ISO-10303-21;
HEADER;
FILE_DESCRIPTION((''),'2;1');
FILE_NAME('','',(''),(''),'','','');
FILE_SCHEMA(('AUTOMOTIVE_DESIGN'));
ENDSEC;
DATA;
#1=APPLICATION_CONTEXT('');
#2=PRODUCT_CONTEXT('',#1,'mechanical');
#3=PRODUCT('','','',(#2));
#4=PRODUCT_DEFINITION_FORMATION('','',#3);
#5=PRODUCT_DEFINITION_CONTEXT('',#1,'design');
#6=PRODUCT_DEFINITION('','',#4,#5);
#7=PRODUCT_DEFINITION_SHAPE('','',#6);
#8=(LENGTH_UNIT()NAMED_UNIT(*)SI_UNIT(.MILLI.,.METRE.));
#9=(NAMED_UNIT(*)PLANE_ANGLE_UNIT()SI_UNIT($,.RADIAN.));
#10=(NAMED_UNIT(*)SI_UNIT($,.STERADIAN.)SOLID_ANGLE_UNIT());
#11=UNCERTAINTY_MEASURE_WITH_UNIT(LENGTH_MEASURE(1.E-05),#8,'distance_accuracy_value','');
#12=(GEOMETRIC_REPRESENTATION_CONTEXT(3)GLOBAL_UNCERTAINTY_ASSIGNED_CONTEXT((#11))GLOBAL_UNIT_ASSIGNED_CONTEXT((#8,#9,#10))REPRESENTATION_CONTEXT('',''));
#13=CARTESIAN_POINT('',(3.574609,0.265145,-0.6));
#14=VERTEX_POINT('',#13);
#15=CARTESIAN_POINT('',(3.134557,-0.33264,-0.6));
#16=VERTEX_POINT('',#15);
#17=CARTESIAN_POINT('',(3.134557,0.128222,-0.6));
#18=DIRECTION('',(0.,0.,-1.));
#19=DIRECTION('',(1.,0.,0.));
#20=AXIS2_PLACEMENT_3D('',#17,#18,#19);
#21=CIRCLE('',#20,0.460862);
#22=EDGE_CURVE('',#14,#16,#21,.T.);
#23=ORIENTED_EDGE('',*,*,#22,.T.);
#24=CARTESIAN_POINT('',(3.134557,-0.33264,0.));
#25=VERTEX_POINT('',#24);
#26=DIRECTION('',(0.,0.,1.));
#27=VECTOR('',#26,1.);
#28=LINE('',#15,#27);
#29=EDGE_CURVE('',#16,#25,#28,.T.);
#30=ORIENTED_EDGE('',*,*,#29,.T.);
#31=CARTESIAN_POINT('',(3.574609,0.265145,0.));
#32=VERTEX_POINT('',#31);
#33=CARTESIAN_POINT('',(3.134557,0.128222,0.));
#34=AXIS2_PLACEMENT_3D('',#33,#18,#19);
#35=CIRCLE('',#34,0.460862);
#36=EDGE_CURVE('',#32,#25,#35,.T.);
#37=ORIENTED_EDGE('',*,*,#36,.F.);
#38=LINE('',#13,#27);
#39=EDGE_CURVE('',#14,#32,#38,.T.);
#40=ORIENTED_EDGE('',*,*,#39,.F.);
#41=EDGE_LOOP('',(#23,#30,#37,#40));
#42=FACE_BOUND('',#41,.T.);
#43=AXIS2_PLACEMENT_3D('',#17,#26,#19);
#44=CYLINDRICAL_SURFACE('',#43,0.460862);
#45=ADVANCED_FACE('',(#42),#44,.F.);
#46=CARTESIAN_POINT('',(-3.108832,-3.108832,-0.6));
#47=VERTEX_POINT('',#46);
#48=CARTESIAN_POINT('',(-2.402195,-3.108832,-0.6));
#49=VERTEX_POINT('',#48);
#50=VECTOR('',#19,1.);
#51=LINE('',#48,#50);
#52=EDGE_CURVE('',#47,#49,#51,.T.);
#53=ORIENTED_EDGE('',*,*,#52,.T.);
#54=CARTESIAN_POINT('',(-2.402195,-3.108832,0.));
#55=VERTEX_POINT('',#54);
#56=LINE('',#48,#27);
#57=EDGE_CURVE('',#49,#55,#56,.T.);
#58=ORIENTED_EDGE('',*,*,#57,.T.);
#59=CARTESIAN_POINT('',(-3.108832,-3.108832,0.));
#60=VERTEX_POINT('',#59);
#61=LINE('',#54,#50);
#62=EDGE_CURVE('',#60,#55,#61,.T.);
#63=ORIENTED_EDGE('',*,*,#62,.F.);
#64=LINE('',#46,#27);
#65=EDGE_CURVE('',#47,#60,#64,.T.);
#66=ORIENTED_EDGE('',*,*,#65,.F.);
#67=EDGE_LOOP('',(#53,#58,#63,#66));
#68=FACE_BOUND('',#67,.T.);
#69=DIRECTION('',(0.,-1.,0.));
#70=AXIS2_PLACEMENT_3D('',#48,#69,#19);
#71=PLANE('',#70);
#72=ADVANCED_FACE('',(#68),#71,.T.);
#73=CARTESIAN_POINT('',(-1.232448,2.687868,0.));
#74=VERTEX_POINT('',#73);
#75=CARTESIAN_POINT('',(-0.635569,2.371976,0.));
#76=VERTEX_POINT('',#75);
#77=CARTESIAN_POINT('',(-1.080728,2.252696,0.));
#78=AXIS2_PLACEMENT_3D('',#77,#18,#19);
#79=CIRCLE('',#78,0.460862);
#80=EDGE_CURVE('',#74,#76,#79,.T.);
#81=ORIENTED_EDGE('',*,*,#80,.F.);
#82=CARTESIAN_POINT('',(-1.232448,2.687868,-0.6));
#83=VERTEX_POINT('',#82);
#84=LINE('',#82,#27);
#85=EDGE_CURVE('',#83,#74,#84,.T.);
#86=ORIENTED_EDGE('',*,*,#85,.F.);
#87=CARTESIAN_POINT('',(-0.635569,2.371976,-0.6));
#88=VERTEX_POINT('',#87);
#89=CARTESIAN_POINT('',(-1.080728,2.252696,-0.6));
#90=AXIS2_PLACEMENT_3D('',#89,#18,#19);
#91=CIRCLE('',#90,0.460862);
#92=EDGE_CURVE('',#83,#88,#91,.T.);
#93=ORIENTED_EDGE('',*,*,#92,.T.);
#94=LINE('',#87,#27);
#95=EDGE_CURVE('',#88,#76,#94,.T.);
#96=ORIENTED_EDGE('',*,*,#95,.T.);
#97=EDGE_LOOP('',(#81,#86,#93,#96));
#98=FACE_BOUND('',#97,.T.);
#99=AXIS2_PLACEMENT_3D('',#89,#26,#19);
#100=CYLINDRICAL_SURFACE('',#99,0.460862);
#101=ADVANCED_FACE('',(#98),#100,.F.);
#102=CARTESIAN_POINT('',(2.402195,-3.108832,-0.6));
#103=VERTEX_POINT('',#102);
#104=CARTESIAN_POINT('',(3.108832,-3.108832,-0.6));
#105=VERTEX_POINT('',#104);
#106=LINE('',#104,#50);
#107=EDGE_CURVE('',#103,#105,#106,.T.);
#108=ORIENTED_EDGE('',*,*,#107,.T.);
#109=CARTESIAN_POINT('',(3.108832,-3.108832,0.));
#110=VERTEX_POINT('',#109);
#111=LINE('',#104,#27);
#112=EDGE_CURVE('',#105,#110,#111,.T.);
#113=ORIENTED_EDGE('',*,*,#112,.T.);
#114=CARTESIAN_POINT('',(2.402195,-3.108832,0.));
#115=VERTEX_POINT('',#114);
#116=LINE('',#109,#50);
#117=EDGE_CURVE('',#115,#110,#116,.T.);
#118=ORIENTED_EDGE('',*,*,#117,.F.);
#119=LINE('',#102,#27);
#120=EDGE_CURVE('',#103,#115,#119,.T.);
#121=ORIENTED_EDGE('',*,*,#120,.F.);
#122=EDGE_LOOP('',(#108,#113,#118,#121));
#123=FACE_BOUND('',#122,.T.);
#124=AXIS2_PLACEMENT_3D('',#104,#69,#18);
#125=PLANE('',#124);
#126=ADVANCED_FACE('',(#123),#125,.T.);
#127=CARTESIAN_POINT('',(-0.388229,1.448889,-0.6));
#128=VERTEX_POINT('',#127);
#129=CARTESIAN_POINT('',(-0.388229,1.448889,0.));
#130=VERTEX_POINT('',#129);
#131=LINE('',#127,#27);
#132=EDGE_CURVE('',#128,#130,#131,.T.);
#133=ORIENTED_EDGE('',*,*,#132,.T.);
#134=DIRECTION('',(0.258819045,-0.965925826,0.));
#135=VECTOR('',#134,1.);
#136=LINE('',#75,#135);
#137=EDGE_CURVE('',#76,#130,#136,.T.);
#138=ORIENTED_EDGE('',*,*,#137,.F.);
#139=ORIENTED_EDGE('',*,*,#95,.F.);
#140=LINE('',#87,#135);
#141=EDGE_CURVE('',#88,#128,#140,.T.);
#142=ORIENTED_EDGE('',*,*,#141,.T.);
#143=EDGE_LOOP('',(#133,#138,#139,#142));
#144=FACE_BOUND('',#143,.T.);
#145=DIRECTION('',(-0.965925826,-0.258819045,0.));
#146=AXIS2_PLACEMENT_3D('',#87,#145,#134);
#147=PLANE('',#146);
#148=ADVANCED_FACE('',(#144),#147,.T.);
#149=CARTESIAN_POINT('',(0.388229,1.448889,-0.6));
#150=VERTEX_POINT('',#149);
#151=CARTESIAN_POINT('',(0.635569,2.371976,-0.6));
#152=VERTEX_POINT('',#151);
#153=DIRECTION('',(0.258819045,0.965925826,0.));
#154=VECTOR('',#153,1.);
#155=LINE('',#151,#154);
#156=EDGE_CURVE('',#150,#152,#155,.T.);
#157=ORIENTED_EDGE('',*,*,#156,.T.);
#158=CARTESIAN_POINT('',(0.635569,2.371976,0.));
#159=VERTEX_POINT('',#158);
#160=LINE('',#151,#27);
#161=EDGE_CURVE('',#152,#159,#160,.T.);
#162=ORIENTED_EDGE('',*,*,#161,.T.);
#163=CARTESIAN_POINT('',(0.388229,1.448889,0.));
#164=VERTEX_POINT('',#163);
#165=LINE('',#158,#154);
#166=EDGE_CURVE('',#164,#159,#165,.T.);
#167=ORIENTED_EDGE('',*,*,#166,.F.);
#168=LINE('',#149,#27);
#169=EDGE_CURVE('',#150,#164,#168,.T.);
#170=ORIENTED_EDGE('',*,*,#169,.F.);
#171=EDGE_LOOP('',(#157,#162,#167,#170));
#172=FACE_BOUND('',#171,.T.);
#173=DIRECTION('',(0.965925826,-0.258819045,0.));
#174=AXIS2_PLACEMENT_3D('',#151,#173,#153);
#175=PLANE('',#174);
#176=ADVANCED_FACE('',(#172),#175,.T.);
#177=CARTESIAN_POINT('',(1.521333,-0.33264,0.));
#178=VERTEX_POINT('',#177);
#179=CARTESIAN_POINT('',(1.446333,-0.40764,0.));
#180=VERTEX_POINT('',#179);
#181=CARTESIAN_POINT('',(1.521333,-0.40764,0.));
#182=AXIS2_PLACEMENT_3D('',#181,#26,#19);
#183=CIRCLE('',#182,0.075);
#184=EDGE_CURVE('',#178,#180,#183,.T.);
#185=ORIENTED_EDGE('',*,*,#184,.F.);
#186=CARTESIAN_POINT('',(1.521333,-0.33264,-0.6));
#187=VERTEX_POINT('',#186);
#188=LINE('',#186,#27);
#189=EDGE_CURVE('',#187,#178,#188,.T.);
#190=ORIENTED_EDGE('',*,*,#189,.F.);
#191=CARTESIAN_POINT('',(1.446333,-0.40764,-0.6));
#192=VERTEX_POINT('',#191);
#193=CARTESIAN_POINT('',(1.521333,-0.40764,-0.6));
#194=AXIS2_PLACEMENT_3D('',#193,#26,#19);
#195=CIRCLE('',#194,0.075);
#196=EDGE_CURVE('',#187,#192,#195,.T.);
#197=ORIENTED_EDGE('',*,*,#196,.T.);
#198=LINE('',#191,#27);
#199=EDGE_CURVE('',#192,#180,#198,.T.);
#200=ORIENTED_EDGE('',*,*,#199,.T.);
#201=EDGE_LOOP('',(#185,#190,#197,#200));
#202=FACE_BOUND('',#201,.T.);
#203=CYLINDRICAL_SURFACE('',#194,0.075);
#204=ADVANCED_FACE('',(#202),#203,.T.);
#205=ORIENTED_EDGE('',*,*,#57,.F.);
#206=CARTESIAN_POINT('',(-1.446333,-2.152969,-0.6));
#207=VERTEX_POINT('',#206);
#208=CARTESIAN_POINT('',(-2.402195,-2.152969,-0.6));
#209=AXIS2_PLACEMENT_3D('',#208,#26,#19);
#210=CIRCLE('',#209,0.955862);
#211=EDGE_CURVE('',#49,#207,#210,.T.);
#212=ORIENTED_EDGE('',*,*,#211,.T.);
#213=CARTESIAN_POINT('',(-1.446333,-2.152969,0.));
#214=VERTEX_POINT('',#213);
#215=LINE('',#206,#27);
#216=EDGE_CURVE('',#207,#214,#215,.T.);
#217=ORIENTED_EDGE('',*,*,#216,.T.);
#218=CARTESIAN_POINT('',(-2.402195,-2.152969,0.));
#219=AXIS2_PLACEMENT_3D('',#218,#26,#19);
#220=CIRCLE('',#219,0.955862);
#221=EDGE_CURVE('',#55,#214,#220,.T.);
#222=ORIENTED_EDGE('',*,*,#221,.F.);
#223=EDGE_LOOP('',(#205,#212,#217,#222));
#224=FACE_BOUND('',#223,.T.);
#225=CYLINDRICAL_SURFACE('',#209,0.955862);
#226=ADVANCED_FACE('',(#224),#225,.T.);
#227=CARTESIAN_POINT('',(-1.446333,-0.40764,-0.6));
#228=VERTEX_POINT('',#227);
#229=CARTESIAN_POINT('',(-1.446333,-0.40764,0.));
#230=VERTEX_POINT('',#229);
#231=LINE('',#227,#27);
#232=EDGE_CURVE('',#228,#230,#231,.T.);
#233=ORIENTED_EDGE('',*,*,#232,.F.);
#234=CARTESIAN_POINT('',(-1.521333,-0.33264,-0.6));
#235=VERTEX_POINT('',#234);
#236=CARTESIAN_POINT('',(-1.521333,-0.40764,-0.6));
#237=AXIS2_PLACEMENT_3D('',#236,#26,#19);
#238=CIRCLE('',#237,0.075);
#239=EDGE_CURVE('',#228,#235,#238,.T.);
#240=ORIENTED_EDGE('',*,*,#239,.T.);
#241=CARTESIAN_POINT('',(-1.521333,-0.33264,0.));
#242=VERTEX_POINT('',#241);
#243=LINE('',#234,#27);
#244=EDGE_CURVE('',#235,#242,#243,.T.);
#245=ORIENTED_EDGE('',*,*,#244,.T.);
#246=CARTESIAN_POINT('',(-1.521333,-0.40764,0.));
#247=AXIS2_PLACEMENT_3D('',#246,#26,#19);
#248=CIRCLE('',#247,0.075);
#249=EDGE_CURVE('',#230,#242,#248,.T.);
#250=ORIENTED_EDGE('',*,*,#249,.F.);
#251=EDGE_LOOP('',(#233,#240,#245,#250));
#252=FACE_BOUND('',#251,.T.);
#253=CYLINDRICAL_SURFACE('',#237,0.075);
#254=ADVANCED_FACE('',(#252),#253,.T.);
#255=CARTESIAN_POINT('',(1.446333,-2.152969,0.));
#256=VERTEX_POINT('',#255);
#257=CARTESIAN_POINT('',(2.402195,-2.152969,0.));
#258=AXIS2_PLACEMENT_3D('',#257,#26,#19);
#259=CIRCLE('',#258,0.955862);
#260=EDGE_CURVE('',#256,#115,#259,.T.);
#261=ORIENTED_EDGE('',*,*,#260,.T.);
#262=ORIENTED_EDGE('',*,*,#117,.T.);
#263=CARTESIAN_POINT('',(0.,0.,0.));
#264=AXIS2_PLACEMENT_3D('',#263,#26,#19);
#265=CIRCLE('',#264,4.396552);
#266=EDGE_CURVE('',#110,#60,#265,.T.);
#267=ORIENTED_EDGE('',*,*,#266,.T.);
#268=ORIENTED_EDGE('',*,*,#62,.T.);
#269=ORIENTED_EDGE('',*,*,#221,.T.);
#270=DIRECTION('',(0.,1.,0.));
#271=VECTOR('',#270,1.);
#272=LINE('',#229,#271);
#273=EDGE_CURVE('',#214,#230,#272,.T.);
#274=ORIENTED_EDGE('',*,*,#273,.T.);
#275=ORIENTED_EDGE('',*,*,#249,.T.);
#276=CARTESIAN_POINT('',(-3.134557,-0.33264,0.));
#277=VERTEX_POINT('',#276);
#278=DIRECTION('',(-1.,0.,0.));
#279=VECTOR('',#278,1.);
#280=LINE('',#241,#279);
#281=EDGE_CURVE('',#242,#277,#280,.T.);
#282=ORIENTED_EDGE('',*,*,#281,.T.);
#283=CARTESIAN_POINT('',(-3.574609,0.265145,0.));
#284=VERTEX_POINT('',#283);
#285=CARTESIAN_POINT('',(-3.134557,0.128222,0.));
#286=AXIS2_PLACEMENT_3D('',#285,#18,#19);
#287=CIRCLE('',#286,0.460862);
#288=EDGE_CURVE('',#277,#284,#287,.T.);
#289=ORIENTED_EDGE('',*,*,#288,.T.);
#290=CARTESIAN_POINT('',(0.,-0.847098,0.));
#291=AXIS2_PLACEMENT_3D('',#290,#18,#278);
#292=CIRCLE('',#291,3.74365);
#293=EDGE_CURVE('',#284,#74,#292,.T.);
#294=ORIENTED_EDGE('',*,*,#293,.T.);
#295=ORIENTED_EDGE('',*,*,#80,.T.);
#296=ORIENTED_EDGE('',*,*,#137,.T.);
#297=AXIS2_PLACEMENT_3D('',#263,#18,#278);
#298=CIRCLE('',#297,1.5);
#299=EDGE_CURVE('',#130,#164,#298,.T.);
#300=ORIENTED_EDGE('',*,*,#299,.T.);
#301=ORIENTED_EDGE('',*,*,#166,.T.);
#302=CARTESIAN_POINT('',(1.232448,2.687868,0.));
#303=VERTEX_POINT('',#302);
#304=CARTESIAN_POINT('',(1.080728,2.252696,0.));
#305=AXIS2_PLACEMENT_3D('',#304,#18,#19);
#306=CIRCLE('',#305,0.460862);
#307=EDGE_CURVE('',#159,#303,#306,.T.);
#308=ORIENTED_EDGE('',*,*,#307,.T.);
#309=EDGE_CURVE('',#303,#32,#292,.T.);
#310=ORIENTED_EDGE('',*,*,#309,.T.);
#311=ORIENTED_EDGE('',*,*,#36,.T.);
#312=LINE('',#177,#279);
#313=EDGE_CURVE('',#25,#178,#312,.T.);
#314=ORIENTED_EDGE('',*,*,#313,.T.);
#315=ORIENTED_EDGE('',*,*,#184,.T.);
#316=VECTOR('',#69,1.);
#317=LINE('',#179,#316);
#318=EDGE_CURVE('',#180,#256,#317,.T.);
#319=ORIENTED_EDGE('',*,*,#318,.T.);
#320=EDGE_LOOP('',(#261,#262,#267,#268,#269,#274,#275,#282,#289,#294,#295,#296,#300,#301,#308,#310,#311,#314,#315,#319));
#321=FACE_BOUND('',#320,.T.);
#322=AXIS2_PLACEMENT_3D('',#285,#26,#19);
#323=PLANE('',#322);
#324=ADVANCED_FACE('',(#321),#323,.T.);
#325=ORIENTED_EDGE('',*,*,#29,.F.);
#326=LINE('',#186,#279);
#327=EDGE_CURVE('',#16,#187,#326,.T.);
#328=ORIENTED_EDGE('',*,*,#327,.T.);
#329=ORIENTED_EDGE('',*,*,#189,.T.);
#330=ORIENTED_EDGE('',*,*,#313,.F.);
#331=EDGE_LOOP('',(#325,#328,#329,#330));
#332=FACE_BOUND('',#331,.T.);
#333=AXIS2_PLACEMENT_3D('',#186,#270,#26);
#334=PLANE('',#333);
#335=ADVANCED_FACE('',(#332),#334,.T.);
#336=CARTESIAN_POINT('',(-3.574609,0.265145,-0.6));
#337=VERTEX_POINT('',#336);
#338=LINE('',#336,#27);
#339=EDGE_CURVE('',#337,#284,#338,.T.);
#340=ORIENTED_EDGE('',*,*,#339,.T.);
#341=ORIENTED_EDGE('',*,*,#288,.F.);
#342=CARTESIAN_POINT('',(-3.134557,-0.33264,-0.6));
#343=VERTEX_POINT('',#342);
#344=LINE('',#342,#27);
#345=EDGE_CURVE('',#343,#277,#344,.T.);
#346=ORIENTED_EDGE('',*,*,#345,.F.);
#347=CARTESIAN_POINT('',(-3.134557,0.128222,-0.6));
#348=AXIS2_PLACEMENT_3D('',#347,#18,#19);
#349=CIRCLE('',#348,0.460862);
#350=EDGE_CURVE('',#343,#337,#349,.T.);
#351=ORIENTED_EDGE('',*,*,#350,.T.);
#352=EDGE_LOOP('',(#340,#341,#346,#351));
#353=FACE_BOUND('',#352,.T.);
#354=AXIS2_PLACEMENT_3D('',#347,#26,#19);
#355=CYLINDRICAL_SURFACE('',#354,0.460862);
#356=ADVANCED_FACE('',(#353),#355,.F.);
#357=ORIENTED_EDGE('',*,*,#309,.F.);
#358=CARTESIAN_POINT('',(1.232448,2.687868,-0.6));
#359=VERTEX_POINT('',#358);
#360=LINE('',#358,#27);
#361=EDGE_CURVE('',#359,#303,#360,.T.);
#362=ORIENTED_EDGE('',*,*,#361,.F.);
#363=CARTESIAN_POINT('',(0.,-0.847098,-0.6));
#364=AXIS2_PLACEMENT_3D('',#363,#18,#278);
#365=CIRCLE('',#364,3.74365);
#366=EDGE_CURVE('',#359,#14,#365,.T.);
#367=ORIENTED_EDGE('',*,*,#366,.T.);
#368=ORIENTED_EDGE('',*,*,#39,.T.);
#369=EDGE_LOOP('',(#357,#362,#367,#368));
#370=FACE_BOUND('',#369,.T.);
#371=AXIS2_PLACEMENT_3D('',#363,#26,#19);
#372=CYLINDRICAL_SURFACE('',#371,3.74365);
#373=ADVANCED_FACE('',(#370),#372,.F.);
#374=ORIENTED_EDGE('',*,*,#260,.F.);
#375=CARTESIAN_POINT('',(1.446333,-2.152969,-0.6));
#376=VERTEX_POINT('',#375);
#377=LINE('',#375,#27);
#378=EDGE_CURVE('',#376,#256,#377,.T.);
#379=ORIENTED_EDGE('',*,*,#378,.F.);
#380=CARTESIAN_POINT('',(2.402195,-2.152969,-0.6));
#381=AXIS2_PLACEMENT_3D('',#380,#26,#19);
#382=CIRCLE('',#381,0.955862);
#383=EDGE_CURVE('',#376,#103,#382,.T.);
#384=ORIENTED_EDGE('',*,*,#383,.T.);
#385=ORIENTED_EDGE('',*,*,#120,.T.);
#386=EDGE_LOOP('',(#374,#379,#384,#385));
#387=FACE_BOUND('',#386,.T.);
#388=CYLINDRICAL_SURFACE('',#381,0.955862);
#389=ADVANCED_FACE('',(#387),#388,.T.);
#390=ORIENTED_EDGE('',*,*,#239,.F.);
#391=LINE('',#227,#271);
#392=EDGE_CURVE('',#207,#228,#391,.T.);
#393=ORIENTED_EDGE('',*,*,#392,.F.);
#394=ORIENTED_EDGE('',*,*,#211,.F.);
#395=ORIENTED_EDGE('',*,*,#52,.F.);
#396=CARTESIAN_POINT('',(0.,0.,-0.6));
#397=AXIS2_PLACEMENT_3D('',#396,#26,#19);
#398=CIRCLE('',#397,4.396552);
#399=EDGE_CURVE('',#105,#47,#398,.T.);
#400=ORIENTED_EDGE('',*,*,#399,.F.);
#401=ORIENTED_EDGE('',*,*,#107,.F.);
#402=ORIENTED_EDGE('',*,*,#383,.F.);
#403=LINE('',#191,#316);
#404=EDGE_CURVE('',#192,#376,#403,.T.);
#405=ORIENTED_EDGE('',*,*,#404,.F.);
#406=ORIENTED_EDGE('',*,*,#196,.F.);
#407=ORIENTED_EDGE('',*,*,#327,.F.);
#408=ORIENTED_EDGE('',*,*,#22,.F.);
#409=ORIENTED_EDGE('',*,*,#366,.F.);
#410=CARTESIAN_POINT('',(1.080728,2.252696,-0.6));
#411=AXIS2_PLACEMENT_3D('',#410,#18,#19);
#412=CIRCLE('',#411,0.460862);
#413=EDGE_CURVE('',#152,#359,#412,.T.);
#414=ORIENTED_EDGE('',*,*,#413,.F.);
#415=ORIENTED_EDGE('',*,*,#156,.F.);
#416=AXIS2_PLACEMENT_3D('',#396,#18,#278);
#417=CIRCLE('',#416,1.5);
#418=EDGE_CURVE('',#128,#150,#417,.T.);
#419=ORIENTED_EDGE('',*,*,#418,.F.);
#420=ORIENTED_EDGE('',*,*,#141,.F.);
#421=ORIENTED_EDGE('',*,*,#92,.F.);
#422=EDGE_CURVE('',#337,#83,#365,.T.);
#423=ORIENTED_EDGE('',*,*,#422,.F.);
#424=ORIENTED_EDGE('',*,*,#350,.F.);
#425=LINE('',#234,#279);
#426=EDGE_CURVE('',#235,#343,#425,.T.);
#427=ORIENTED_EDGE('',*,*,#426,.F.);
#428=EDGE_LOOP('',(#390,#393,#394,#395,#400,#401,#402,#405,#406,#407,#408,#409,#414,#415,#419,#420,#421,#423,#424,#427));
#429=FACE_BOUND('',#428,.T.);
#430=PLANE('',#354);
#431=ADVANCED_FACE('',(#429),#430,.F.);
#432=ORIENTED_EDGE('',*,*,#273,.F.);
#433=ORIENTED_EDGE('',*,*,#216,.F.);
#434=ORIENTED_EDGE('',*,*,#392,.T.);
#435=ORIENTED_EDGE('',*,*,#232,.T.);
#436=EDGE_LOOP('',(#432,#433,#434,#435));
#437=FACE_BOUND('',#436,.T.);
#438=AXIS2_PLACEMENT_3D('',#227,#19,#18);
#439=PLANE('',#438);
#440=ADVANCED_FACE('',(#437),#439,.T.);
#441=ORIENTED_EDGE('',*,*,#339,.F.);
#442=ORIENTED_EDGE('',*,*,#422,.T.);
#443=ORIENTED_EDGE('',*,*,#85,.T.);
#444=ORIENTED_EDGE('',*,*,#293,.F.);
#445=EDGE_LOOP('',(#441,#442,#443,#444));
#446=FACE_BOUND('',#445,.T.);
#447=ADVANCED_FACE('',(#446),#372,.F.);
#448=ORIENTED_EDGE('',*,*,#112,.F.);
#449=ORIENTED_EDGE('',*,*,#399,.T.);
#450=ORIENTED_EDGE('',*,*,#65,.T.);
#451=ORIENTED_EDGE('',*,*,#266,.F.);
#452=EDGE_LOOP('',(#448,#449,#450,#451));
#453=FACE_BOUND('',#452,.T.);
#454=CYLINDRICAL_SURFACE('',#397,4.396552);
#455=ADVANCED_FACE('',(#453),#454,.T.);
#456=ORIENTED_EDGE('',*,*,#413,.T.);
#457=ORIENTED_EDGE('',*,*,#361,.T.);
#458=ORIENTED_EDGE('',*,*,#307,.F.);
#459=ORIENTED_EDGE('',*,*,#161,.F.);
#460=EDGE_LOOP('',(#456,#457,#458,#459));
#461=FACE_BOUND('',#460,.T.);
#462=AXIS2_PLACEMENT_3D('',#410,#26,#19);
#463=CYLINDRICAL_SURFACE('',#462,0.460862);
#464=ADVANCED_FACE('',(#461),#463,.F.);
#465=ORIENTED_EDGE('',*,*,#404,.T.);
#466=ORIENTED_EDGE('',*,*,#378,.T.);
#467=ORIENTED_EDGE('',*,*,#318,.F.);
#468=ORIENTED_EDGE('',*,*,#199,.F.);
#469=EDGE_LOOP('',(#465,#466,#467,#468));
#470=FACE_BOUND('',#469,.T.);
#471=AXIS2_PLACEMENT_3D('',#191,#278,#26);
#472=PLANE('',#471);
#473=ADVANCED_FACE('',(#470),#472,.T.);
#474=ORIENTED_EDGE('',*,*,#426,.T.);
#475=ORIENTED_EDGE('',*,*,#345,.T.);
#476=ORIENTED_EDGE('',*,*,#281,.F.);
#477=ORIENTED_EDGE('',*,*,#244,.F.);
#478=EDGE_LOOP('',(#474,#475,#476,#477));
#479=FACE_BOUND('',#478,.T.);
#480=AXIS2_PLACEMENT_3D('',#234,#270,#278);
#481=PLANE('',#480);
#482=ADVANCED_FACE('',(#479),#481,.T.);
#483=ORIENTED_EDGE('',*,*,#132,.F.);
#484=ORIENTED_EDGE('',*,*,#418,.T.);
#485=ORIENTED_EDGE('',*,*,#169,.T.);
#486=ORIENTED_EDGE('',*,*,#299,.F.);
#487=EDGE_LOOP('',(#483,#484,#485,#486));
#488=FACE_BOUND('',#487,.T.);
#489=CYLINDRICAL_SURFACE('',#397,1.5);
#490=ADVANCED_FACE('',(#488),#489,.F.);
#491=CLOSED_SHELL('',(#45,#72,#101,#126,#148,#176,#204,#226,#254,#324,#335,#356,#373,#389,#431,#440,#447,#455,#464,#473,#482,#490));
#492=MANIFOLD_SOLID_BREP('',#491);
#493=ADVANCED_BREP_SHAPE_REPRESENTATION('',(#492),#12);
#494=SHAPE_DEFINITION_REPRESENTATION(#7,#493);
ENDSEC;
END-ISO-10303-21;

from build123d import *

# Parameters (mm, degrees)
BODY_DEPTH = 0.6


with BuildPart() as part:
    # BodySke → Body (new body)
    with BuildSketch(Plane.XY):
        with BuildLine():
            Line((3.108831538, -3.108831538), (2.402195245, -3.108831538))
            ThreePointArc((2.402195245, -3.108831538), (1.726298695, -2.82886602), (1.446333176, -2.152969469))
            Line((1.446333176, -2.152969469), (1.446333176, -0.407639996))
            ThreePointArc((1.446333176, -0.407639996), (1.468300168, -0.354606987), (1.521333176, -0.332639996))
            Line((1.521333176, -0.332639996), (3.134556832, -0.332639996))
            ThreePointArc((3.134556832, -0.332639996), (3.505701223, -0.144991557), (3.57460913, 0.265144757))
            ThreePointArc((3.57460913, 0.265144757), (2.691532448, 1.754933289), (1.232448134, 2.687868046))
            ThreePointArc((1.232448134, 2.687868046), (0.865150605, 2.660029273), (0.635569017, 2.371975864))
            Line((0.635569017, 2.371975864), (0.388228568, 1.448888739))
            ThreePointArc((0.388228568, 1.448888739), (0, 1.5), (-0.388228568, 1.448888739))
            Line((-0.388228568, 1.448888739), (-0.635569017, 2.371975864))
            ThreePointArc((-0.635569017, 2.371975864), (-0.865150605, 2.660029273), (-1.232448134, 2.687868046))
            ThreePointArc((-1.232448134, 2.687868046), (-2.691532448, 1.754933289), (-3.57460913, 0.265144757))
            ThreePointArc((-3.57460913, 0.265144757), (-3.505701223, -0.144991557), (-3.134556832, -0.332639996))
            Line((-3.134556832, -0.332639996), (-1.521333176, -0.332639996))
            ThreePointArc((-1.521333176, -0.332639996), (-1.468300168, -0.354606987), (-1.446333176, -0.407639996))
            Line((-1.446333176, -0.407639996), (-1.446333176, -2.152969469))
            ThreePointArc((-1.446333176, -2.152969469), (-1.726298695, -2.82886602), (-2.402195245, -3.108831538))
            Line((-2.402195245, -3.108831538), (-3.108831538, -3.108831538))
            ThreePointArc((-3.108831538, -3.108831538), (0, 4.396551724), (3.108831538, -3.108831538))
        make_face()
    extrude(amount=-BODY_DEPTH)


solid = part.part
